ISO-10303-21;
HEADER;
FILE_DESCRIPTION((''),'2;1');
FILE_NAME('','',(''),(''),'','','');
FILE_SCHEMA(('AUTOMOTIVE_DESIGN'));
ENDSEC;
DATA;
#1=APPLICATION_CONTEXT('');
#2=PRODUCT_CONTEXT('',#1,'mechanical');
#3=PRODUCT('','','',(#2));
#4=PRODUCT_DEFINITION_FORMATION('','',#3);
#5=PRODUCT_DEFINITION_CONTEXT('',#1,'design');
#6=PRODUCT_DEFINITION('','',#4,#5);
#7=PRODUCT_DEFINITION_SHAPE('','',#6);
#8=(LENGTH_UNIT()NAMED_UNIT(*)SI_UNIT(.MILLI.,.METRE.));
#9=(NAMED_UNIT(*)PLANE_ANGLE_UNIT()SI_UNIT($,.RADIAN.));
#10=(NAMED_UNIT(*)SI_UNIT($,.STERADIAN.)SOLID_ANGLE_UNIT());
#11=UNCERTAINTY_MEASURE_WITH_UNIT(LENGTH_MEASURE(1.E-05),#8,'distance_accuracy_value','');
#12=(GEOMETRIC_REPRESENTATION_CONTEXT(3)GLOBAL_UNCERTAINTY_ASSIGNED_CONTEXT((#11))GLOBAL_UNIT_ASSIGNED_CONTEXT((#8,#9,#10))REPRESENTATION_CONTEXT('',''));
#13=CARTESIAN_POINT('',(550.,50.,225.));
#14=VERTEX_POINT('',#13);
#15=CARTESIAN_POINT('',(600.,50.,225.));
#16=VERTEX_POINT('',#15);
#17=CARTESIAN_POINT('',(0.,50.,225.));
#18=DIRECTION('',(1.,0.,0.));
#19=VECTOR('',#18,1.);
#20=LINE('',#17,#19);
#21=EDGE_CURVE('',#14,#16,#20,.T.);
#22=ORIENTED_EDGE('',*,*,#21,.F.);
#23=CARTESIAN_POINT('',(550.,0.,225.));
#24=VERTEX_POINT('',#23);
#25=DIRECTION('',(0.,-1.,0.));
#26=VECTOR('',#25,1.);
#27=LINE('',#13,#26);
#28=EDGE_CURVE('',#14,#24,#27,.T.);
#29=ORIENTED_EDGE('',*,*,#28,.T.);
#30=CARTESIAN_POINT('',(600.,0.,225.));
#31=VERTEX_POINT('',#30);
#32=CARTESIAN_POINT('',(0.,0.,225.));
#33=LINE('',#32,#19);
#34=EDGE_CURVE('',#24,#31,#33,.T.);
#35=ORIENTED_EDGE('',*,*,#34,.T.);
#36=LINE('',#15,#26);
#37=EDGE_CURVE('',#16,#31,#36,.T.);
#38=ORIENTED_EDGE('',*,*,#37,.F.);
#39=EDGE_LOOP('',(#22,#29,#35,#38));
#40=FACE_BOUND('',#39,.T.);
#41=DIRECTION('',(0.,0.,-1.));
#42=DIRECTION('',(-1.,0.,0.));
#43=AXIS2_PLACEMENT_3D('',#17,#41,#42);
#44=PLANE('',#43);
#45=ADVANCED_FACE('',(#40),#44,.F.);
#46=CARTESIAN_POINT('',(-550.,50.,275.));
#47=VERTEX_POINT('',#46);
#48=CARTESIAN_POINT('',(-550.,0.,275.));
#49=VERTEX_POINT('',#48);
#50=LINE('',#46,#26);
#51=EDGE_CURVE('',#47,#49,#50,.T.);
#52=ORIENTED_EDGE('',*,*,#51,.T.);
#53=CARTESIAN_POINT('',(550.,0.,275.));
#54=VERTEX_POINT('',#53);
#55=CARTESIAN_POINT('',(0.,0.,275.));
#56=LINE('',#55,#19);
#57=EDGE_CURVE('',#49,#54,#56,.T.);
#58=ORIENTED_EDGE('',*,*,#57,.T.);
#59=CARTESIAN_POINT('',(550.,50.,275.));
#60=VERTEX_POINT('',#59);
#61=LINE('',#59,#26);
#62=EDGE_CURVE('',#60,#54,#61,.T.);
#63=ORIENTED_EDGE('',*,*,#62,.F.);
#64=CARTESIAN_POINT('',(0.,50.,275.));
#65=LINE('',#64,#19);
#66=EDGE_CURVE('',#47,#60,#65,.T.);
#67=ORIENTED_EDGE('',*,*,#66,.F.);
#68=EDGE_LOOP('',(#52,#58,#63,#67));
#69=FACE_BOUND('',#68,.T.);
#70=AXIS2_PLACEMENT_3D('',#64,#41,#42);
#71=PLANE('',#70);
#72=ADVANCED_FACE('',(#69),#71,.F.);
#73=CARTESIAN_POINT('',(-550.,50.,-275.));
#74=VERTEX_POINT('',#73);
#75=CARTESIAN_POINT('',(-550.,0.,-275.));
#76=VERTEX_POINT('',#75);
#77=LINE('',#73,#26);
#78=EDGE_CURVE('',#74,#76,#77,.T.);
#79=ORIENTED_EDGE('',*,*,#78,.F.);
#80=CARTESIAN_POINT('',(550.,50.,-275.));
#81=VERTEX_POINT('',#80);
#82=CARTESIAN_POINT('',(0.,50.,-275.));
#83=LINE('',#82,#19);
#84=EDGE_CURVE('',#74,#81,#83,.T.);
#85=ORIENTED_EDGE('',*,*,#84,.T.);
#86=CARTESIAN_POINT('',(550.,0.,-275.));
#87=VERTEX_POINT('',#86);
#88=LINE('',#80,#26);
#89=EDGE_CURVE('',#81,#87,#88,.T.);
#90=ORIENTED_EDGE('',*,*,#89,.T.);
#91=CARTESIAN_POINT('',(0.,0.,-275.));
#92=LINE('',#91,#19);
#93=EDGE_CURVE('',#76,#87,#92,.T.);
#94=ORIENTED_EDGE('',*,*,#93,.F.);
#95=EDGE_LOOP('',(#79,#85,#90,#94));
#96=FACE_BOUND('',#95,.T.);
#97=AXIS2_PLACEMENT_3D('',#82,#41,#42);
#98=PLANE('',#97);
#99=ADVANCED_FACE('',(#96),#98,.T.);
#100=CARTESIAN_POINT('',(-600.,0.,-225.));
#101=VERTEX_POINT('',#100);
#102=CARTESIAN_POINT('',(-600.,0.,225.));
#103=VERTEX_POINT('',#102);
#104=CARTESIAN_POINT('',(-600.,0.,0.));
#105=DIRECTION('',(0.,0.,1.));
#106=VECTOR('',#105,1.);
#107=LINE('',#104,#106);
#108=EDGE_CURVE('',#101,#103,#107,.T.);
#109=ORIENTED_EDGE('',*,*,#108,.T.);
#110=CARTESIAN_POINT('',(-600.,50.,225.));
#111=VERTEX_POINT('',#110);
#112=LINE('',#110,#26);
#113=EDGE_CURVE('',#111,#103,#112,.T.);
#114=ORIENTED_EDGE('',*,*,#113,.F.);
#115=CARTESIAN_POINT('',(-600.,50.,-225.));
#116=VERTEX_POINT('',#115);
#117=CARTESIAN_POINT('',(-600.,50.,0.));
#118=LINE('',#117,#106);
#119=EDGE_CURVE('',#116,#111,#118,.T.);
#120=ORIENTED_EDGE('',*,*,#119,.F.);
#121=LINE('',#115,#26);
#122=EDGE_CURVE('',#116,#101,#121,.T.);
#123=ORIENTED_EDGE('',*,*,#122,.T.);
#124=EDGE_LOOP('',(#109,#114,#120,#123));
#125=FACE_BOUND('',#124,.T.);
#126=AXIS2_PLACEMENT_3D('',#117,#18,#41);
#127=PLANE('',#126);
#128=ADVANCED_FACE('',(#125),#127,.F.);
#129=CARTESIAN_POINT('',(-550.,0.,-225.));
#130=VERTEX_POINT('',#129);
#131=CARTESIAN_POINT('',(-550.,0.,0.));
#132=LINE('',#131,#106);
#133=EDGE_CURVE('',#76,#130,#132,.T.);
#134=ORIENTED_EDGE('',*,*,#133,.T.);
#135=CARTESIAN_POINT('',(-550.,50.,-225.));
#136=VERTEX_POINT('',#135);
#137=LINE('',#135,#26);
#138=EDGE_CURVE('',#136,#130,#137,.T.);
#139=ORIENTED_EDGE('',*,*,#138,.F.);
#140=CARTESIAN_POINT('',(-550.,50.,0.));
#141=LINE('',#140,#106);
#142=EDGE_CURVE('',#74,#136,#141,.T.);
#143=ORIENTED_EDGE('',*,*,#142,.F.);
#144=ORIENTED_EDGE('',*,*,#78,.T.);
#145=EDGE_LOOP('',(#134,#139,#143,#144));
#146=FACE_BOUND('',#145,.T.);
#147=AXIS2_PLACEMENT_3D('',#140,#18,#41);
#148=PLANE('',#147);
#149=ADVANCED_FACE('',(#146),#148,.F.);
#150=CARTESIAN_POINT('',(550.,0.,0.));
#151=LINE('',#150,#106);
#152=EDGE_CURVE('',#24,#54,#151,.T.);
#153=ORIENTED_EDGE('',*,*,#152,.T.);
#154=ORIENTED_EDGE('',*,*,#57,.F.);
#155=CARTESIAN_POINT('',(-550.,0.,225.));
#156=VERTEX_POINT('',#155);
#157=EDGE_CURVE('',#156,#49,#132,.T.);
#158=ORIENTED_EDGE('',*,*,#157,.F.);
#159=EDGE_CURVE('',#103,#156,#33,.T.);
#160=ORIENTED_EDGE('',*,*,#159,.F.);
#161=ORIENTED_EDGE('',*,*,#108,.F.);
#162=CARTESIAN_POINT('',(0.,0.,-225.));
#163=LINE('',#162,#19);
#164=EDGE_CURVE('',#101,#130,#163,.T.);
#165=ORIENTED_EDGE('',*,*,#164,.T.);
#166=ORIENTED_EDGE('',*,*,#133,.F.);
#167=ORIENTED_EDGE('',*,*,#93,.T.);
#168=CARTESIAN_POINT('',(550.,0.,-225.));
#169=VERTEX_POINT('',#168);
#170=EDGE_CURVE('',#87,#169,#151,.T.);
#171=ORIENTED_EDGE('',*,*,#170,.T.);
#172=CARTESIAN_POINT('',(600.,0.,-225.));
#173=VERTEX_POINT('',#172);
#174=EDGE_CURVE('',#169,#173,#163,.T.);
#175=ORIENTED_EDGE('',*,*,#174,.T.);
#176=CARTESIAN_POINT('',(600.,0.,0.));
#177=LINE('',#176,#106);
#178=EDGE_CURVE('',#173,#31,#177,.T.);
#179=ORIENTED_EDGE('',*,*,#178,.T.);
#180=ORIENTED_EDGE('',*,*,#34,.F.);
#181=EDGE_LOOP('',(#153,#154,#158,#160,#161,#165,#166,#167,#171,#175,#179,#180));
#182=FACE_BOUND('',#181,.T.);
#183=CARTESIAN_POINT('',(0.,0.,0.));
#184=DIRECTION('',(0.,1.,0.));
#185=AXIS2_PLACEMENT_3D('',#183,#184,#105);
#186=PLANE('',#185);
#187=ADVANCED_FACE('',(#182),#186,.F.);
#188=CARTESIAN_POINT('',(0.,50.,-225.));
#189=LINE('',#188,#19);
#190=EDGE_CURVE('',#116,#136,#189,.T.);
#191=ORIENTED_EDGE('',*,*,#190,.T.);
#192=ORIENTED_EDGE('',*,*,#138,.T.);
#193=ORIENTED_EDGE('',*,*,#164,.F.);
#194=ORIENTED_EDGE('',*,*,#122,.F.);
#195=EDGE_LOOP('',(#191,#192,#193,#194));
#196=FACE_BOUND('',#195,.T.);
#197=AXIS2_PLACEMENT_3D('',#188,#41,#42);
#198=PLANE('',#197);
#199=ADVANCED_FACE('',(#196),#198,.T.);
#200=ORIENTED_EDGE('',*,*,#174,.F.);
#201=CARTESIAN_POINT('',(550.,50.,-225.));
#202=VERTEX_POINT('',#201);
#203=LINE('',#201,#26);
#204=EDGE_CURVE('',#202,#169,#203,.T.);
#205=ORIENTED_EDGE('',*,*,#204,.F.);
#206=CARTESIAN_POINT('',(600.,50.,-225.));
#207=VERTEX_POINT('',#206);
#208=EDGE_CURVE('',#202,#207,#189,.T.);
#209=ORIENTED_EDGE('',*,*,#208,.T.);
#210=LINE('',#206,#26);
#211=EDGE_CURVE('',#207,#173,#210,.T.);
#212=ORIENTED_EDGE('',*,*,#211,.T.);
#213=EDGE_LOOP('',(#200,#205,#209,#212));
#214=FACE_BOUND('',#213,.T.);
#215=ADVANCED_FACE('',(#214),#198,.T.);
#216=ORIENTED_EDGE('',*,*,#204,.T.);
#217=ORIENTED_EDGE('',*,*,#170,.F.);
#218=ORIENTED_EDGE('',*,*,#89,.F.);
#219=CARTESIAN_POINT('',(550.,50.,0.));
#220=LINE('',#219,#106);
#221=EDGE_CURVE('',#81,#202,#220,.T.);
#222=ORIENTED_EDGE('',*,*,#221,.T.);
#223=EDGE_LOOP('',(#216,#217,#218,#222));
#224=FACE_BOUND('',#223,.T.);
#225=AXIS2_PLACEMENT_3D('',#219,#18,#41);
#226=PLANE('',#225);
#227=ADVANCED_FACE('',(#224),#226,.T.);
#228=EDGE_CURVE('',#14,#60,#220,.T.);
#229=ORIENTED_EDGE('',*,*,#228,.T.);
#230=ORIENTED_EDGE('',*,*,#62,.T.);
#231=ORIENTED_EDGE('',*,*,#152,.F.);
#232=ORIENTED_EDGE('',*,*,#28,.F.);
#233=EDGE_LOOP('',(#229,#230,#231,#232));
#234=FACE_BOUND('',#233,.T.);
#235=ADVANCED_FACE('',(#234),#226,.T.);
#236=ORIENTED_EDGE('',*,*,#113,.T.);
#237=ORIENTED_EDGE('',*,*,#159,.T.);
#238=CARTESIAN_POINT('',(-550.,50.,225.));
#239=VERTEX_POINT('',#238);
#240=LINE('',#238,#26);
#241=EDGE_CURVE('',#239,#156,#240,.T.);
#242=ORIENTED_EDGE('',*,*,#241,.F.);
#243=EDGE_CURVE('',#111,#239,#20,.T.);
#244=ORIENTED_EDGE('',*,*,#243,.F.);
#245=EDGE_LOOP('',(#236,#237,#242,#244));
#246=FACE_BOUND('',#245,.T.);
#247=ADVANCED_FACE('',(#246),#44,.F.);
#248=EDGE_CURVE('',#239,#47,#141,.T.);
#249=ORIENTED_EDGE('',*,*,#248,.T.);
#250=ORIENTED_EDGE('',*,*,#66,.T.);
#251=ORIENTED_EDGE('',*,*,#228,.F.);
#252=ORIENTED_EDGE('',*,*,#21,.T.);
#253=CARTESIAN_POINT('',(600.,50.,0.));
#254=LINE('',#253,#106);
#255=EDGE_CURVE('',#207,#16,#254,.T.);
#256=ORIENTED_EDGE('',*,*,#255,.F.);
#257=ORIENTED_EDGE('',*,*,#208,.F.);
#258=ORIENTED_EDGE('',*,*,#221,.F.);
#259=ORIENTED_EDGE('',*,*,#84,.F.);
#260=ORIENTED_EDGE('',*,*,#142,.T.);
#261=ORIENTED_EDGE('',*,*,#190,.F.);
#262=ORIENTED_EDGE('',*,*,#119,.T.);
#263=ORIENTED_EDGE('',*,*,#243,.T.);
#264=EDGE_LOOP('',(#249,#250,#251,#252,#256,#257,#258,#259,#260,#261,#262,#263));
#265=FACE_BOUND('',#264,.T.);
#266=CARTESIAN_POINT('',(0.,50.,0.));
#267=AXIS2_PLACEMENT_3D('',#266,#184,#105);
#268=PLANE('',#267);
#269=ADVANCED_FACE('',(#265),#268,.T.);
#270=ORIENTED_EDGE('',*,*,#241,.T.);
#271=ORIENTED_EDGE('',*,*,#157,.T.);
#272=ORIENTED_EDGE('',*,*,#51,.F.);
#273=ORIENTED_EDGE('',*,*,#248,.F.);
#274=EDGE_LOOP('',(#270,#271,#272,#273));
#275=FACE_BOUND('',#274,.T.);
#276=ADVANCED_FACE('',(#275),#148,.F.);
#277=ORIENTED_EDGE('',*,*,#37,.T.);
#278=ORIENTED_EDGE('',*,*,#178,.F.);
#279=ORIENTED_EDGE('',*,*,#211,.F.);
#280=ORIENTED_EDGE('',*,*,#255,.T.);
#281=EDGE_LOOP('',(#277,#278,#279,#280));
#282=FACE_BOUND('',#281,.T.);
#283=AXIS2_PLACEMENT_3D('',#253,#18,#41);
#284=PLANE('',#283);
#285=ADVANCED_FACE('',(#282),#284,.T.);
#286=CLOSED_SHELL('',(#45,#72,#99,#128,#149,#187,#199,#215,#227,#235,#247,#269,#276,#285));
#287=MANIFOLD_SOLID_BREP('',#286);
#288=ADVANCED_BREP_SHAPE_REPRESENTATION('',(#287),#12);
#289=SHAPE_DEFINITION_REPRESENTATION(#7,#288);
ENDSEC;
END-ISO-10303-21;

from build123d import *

# Parameters (mm, degrees)
SALIENTE_EXTRUIR1_DEPTH = 50


with BuildPart() as part:
    # Croquis1 → Saliente-Extruir1 (new body)
    with BuildSketch(Plane(origin=(0, 0, 0), x_dir=(1, 0, 0), z_dir=(0, 1, 0))):
        Polygon((550, 225), (550, 275), (-550, 275), (-550, 225), (-600, 225), (-600, -225), (-550, -225), (-550, -275), (550, -275), (550, -225), (600, -225), (600, 225), align=None)
    extrude(amount=SALIENTE_EXTRUIR1_DEPTH)


solid = part.part
